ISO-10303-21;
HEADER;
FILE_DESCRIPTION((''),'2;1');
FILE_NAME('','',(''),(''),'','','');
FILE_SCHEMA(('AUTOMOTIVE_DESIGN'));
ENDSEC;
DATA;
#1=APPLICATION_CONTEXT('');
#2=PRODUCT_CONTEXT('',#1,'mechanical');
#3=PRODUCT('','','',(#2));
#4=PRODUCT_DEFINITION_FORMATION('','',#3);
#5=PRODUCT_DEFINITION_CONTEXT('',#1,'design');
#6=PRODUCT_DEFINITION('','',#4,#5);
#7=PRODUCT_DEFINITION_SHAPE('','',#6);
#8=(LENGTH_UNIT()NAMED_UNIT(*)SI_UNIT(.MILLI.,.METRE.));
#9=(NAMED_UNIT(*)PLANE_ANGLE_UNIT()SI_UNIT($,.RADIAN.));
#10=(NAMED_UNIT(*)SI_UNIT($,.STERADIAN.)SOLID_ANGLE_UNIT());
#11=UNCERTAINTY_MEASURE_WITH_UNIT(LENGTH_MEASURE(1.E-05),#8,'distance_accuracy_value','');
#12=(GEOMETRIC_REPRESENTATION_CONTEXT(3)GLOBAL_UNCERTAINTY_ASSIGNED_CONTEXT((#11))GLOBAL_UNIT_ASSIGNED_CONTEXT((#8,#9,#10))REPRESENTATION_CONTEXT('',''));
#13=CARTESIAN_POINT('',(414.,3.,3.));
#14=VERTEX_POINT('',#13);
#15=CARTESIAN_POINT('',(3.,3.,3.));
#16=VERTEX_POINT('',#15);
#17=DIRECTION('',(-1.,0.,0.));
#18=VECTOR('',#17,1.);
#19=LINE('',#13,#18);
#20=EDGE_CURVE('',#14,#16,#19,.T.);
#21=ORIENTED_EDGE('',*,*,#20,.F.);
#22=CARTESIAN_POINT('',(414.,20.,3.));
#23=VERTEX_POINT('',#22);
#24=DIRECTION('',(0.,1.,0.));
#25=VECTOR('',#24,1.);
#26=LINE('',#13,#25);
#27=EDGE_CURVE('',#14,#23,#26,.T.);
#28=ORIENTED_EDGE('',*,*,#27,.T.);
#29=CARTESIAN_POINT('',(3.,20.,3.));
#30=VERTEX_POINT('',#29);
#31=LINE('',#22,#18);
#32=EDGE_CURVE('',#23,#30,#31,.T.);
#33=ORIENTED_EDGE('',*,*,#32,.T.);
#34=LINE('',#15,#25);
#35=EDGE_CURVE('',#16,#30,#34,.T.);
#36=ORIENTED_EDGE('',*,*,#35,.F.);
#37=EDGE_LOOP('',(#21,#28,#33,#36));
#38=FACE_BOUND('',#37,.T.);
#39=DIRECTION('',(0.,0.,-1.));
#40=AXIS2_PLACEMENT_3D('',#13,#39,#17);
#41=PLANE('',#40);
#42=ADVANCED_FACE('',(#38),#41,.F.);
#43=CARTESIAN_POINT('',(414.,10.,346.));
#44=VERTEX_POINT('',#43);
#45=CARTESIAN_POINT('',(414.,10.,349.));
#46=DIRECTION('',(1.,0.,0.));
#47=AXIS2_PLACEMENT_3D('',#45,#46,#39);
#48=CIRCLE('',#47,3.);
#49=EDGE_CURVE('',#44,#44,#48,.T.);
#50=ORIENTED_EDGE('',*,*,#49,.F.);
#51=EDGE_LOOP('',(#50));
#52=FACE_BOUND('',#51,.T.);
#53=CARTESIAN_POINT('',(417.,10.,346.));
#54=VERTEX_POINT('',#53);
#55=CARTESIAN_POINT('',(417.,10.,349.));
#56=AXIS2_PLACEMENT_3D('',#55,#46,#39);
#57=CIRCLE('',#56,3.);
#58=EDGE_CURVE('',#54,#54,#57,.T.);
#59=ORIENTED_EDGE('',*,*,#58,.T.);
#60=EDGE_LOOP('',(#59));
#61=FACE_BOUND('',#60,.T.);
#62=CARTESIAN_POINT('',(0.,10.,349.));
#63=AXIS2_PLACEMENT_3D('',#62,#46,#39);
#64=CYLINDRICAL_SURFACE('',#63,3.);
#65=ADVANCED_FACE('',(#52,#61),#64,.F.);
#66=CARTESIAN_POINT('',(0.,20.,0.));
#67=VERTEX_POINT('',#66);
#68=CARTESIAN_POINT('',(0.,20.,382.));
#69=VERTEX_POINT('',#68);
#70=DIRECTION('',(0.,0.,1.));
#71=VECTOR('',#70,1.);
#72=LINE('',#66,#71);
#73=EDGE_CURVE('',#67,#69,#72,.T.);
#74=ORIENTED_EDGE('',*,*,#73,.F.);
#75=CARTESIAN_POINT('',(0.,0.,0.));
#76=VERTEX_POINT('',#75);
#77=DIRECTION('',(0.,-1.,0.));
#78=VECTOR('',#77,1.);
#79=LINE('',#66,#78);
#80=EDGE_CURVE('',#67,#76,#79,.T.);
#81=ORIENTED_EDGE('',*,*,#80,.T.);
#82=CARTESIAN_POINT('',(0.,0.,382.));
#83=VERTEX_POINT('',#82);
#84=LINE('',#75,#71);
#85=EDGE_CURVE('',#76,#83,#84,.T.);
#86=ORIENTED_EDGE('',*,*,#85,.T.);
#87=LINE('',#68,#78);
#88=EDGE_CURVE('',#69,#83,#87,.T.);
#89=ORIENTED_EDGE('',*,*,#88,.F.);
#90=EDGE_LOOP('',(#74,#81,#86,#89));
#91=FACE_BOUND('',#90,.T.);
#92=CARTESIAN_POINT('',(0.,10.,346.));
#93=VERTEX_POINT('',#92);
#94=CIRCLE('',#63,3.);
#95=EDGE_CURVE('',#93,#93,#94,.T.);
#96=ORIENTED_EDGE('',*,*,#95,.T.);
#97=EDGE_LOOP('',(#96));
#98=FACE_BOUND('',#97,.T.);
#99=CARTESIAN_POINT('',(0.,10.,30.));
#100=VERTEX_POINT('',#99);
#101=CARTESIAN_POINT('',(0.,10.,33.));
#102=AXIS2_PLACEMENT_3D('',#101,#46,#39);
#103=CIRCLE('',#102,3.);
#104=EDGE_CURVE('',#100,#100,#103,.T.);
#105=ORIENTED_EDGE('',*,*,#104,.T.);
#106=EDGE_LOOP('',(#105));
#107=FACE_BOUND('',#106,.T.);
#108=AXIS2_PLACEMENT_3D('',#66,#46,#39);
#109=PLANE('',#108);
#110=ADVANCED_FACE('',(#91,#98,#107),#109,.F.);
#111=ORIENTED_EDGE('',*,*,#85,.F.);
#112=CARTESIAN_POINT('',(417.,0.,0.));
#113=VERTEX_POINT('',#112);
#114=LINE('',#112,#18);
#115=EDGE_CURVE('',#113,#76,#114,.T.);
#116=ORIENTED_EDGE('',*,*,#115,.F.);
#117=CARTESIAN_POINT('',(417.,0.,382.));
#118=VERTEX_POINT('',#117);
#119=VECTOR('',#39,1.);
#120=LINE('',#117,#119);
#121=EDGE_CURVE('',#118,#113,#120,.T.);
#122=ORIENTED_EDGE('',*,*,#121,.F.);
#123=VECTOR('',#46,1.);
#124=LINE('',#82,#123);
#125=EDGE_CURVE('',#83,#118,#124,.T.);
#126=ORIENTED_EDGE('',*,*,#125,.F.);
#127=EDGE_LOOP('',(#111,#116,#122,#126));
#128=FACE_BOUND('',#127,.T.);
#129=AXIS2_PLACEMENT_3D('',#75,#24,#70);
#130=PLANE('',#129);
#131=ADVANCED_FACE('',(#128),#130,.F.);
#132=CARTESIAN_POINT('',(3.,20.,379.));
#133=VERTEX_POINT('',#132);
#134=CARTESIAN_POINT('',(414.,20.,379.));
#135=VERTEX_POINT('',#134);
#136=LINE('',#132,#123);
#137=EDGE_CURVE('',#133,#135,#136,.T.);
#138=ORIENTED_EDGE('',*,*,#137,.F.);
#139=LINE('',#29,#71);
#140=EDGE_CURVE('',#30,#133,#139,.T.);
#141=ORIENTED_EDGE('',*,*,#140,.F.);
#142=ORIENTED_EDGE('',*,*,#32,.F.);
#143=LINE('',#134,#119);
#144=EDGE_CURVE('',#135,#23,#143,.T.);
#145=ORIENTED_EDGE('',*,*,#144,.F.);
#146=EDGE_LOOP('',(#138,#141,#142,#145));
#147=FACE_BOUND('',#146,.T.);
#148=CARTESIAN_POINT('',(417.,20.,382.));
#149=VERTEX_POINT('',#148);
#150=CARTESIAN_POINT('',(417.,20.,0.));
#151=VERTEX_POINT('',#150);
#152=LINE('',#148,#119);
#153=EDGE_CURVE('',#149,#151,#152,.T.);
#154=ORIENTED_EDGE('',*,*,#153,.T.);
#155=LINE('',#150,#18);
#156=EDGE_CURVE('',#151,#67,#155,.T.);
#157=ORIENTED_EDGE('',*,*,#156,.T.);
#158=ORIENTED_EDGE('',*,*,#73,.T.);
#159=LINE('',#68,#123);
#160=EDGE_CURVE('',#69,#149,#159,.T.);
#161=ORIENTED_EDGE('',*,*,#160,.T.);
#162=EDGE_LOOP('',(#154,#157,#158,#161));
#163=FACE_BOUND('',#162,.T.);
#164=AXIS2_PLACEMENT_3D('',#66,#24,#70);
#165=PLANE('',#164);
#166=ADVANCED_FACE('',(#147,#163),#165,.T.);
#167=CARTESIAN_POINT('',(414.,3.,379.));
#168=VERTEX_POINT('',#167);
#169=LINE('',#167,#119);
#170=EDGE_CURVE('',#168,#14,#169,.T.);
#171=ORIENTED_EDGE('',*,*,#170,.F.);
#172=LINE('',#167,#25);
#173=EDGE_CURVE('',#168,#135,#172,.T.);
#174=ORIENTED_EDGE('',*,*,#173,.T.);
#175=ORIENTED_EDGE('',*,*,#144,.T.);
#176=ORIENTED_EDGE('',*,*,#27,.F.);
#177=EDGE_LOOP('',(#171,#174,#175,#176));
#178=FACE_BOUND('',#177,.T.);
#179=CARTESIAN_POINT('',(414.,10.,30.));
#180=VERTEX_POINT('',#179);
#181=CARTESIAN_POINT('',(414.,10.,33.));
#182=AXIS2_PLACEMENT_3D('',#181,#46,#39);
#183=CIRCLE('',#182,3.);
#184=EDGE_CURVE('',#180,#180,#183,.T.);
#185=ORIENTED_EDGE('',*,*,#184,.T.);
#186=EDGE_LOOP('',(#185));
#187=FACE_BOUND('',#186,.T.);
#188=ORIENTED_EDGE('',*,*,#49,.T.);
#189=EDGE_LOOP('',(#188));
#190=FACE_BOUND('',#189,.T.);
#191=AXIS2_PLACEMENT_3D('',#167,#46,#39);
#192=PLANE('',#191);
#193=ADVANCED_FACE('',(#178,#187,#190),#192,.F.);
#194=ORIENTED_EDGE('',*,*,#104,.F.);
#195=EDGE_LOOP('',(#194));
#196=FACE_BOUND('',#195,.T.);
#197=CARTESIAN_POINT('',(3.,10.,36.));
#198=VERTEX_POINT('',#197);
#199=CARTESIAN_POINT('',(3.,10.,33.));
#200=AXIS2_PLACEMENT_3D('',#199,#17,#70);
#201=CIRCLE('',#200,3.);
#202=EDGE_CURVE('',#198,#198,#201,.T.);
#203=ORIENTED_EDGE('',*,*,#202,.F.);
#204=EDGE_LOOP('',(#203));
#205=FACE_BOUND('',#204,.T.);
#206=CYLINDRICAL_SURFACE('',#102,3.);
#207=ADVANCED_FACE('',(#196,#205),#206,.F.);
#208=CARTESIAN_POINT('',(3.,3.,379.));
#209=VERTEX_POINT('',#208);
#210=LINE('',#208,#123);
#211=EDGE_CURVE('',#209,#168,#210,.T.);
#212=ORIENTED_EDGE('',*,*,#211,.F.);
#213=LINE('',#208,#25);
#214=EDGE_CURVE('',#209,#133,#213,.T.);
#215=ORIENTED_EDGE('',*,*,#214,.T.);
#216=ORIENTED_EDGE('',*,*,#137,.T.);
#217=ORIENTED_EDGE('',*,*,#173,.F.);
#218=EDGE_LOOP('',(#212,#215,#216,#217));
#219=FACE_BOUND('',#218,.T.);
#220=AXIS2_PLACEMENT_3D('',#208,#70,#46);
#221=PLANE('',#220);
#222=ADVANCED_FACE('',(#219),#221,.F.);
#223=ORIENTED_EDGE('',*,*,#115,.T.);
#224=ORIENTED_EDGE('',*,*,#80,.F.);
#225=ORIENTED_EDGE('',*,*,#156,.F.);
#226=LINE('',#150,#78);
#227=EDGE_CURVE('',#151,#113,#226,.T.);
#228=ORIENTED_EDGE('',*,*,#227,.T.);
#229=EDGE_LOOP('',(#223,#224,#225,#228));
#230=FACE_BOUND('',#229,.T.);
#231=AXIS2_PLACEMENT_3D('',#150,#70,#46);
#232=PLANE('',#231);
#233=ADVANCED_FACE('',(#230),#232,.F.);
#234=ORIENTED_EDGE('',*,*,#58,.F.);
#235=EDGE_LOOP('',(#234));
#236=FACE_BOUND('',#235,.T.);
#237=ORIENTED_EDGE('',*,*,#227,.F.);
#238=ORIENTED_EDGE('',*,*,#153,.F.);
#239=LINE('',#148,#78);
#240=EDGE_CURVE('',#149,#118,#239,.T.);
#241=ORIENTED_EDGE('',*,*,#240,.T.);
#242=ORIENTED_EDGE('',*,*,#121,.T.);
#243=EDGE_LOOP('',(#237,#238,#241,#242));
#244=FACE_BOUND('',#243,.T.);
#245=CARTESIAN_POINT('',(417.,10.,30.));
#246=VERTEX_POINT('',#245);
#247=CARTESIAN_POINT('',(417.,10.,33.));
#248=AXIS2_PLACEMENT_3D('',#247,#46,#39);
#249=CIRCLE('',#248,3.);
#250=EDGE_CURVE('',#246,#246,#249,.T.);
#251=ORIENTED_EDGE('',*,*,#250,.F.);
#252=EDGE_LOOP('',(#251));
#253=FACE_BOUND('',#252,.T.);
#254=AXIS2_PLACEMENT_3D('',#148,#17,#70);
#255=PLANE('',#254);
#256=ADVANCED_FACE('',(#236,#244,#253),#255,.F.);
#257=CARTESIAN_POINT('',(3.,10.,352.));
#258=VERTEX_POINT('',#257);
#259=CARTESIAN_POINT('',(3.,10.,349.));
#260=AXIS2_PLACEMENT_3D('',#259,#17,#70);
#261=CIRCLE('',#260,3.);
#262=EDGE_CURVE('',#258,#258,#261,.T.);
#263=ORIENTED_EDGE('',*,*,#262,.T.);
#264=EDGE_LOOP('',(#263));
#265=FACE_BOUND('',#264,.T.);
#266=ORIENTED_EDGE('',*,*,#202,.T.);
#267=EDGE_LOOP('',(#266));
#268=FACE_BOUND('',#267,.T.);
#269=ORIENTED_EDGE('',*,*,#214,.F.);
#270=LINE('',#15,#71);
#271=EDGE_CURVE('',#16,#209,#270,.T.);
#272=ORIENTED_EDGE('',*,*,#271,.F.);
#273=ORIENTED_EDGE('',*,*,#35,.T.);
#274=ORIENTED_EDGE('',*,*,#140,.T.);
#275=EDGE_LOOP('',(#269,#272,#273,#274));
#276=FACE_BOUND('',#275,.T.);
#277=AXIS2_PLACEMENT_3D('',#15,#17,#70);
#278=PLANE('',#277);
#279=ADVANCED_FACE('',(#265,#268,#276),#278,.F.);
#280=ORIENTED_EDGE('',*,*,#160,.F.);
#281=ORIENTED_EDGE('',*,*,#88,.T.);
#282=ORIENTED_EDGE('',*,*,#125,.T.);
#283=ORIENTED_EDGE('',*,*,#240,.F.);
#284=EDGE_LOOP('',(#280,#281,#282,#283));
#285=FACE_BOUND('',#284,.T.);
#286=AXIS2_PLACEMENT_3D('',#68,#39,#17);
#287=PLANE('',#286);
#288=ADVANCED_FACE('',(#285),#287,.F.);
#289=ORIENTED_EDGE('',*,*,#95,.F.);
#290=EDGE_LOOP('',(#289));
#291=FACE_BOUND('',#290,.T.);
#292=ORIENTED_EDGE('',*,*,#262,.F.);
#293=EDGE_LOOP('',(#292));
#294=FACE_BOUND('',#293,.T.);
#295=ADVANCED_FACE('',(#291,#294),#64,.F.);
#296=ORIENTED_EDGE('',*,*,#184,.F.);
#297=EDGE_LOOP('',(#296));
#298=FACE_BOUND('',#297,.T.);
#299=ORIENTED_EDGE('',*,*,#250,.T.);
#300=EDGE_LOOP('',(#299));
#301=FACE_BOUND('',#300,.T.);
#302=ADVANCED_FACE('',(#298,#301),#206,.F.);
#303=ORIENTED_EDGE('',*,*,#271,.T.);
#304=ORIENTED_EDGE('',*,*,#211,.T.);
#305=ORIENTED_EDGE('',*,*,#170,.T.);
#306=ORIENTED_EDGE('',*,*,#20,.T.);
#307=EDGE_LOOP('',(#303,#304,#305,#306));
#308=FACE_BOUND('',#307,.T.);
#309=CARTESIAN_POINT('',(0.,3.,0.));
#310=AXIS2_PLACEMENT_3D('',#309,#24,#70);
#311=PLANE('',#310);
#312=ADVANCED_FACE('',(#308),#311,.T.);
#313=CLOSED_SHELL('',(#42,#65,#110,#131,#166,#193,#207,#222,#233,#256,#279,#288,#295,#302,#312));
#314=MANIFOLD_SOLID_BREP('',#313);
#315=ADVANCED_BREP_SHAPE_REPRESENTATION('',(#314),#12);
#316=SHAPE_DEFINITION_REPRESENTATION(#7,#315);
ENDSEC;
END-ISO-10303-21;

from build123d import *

# Parameters (mm, degrees)
SKETCH_1_W          = 417
SKETCH_1_H          = 382
EXTRUDE_3_DEPTH     = 20
SKETCH_2_W          = 411
SKETCH_2_H          = 376
CUT_EXTRUDE_1_DEPTH = 17
SKETCH_3_R          = 3
CUT_EXTRUDE_2_DEPTH = 418


with BuildPart() as part:
    # 草圖1 → 填料-伸長3 (new body)
    with BuildSketch(Plane(origin=(0, 0, 0), x_dir=(1, 0, 0), z_dir=(0, 1, 0))):
        with Locations((208.5, -191)):
            Rectangle(SKETCH_1_W, SKETCH_1_H)
    extrude(amount=EXTRUDE_3_DEPTH)

    # 草圖2 → 除料-伸長1 (cut)
    with BuildSketch(Plane(origin=(0, 20, 0), x_dir=(1, 0, 0), z_dir=(0, 1, 0))):
        with Locations((208.5, -191)):
            Rectangle(SKETCH_2_W, SKETCH_2_H)
    extrude(amount=-CUT_EXTRUDE_1_DEPTH, mode=Mode.SUBTRACT)

    # 草圖3 → 除料-伸長2 (cut, through all)
    with BuildSketch(Plane(origin=(417, 0, 0), x_dir=(0, 0, -1), z_dir=(1, 0, 0))):
        with Locations((-33, 10)):
            Circle(SKETCH_3_R)
        with Locations((-349, 10)):
            Circle(SKETCH_3_R)
    extrude(amount=-CUT_EXTRUDE_2_DEPTH, mode=Mode.SUBTRACT)


solid = part.part
